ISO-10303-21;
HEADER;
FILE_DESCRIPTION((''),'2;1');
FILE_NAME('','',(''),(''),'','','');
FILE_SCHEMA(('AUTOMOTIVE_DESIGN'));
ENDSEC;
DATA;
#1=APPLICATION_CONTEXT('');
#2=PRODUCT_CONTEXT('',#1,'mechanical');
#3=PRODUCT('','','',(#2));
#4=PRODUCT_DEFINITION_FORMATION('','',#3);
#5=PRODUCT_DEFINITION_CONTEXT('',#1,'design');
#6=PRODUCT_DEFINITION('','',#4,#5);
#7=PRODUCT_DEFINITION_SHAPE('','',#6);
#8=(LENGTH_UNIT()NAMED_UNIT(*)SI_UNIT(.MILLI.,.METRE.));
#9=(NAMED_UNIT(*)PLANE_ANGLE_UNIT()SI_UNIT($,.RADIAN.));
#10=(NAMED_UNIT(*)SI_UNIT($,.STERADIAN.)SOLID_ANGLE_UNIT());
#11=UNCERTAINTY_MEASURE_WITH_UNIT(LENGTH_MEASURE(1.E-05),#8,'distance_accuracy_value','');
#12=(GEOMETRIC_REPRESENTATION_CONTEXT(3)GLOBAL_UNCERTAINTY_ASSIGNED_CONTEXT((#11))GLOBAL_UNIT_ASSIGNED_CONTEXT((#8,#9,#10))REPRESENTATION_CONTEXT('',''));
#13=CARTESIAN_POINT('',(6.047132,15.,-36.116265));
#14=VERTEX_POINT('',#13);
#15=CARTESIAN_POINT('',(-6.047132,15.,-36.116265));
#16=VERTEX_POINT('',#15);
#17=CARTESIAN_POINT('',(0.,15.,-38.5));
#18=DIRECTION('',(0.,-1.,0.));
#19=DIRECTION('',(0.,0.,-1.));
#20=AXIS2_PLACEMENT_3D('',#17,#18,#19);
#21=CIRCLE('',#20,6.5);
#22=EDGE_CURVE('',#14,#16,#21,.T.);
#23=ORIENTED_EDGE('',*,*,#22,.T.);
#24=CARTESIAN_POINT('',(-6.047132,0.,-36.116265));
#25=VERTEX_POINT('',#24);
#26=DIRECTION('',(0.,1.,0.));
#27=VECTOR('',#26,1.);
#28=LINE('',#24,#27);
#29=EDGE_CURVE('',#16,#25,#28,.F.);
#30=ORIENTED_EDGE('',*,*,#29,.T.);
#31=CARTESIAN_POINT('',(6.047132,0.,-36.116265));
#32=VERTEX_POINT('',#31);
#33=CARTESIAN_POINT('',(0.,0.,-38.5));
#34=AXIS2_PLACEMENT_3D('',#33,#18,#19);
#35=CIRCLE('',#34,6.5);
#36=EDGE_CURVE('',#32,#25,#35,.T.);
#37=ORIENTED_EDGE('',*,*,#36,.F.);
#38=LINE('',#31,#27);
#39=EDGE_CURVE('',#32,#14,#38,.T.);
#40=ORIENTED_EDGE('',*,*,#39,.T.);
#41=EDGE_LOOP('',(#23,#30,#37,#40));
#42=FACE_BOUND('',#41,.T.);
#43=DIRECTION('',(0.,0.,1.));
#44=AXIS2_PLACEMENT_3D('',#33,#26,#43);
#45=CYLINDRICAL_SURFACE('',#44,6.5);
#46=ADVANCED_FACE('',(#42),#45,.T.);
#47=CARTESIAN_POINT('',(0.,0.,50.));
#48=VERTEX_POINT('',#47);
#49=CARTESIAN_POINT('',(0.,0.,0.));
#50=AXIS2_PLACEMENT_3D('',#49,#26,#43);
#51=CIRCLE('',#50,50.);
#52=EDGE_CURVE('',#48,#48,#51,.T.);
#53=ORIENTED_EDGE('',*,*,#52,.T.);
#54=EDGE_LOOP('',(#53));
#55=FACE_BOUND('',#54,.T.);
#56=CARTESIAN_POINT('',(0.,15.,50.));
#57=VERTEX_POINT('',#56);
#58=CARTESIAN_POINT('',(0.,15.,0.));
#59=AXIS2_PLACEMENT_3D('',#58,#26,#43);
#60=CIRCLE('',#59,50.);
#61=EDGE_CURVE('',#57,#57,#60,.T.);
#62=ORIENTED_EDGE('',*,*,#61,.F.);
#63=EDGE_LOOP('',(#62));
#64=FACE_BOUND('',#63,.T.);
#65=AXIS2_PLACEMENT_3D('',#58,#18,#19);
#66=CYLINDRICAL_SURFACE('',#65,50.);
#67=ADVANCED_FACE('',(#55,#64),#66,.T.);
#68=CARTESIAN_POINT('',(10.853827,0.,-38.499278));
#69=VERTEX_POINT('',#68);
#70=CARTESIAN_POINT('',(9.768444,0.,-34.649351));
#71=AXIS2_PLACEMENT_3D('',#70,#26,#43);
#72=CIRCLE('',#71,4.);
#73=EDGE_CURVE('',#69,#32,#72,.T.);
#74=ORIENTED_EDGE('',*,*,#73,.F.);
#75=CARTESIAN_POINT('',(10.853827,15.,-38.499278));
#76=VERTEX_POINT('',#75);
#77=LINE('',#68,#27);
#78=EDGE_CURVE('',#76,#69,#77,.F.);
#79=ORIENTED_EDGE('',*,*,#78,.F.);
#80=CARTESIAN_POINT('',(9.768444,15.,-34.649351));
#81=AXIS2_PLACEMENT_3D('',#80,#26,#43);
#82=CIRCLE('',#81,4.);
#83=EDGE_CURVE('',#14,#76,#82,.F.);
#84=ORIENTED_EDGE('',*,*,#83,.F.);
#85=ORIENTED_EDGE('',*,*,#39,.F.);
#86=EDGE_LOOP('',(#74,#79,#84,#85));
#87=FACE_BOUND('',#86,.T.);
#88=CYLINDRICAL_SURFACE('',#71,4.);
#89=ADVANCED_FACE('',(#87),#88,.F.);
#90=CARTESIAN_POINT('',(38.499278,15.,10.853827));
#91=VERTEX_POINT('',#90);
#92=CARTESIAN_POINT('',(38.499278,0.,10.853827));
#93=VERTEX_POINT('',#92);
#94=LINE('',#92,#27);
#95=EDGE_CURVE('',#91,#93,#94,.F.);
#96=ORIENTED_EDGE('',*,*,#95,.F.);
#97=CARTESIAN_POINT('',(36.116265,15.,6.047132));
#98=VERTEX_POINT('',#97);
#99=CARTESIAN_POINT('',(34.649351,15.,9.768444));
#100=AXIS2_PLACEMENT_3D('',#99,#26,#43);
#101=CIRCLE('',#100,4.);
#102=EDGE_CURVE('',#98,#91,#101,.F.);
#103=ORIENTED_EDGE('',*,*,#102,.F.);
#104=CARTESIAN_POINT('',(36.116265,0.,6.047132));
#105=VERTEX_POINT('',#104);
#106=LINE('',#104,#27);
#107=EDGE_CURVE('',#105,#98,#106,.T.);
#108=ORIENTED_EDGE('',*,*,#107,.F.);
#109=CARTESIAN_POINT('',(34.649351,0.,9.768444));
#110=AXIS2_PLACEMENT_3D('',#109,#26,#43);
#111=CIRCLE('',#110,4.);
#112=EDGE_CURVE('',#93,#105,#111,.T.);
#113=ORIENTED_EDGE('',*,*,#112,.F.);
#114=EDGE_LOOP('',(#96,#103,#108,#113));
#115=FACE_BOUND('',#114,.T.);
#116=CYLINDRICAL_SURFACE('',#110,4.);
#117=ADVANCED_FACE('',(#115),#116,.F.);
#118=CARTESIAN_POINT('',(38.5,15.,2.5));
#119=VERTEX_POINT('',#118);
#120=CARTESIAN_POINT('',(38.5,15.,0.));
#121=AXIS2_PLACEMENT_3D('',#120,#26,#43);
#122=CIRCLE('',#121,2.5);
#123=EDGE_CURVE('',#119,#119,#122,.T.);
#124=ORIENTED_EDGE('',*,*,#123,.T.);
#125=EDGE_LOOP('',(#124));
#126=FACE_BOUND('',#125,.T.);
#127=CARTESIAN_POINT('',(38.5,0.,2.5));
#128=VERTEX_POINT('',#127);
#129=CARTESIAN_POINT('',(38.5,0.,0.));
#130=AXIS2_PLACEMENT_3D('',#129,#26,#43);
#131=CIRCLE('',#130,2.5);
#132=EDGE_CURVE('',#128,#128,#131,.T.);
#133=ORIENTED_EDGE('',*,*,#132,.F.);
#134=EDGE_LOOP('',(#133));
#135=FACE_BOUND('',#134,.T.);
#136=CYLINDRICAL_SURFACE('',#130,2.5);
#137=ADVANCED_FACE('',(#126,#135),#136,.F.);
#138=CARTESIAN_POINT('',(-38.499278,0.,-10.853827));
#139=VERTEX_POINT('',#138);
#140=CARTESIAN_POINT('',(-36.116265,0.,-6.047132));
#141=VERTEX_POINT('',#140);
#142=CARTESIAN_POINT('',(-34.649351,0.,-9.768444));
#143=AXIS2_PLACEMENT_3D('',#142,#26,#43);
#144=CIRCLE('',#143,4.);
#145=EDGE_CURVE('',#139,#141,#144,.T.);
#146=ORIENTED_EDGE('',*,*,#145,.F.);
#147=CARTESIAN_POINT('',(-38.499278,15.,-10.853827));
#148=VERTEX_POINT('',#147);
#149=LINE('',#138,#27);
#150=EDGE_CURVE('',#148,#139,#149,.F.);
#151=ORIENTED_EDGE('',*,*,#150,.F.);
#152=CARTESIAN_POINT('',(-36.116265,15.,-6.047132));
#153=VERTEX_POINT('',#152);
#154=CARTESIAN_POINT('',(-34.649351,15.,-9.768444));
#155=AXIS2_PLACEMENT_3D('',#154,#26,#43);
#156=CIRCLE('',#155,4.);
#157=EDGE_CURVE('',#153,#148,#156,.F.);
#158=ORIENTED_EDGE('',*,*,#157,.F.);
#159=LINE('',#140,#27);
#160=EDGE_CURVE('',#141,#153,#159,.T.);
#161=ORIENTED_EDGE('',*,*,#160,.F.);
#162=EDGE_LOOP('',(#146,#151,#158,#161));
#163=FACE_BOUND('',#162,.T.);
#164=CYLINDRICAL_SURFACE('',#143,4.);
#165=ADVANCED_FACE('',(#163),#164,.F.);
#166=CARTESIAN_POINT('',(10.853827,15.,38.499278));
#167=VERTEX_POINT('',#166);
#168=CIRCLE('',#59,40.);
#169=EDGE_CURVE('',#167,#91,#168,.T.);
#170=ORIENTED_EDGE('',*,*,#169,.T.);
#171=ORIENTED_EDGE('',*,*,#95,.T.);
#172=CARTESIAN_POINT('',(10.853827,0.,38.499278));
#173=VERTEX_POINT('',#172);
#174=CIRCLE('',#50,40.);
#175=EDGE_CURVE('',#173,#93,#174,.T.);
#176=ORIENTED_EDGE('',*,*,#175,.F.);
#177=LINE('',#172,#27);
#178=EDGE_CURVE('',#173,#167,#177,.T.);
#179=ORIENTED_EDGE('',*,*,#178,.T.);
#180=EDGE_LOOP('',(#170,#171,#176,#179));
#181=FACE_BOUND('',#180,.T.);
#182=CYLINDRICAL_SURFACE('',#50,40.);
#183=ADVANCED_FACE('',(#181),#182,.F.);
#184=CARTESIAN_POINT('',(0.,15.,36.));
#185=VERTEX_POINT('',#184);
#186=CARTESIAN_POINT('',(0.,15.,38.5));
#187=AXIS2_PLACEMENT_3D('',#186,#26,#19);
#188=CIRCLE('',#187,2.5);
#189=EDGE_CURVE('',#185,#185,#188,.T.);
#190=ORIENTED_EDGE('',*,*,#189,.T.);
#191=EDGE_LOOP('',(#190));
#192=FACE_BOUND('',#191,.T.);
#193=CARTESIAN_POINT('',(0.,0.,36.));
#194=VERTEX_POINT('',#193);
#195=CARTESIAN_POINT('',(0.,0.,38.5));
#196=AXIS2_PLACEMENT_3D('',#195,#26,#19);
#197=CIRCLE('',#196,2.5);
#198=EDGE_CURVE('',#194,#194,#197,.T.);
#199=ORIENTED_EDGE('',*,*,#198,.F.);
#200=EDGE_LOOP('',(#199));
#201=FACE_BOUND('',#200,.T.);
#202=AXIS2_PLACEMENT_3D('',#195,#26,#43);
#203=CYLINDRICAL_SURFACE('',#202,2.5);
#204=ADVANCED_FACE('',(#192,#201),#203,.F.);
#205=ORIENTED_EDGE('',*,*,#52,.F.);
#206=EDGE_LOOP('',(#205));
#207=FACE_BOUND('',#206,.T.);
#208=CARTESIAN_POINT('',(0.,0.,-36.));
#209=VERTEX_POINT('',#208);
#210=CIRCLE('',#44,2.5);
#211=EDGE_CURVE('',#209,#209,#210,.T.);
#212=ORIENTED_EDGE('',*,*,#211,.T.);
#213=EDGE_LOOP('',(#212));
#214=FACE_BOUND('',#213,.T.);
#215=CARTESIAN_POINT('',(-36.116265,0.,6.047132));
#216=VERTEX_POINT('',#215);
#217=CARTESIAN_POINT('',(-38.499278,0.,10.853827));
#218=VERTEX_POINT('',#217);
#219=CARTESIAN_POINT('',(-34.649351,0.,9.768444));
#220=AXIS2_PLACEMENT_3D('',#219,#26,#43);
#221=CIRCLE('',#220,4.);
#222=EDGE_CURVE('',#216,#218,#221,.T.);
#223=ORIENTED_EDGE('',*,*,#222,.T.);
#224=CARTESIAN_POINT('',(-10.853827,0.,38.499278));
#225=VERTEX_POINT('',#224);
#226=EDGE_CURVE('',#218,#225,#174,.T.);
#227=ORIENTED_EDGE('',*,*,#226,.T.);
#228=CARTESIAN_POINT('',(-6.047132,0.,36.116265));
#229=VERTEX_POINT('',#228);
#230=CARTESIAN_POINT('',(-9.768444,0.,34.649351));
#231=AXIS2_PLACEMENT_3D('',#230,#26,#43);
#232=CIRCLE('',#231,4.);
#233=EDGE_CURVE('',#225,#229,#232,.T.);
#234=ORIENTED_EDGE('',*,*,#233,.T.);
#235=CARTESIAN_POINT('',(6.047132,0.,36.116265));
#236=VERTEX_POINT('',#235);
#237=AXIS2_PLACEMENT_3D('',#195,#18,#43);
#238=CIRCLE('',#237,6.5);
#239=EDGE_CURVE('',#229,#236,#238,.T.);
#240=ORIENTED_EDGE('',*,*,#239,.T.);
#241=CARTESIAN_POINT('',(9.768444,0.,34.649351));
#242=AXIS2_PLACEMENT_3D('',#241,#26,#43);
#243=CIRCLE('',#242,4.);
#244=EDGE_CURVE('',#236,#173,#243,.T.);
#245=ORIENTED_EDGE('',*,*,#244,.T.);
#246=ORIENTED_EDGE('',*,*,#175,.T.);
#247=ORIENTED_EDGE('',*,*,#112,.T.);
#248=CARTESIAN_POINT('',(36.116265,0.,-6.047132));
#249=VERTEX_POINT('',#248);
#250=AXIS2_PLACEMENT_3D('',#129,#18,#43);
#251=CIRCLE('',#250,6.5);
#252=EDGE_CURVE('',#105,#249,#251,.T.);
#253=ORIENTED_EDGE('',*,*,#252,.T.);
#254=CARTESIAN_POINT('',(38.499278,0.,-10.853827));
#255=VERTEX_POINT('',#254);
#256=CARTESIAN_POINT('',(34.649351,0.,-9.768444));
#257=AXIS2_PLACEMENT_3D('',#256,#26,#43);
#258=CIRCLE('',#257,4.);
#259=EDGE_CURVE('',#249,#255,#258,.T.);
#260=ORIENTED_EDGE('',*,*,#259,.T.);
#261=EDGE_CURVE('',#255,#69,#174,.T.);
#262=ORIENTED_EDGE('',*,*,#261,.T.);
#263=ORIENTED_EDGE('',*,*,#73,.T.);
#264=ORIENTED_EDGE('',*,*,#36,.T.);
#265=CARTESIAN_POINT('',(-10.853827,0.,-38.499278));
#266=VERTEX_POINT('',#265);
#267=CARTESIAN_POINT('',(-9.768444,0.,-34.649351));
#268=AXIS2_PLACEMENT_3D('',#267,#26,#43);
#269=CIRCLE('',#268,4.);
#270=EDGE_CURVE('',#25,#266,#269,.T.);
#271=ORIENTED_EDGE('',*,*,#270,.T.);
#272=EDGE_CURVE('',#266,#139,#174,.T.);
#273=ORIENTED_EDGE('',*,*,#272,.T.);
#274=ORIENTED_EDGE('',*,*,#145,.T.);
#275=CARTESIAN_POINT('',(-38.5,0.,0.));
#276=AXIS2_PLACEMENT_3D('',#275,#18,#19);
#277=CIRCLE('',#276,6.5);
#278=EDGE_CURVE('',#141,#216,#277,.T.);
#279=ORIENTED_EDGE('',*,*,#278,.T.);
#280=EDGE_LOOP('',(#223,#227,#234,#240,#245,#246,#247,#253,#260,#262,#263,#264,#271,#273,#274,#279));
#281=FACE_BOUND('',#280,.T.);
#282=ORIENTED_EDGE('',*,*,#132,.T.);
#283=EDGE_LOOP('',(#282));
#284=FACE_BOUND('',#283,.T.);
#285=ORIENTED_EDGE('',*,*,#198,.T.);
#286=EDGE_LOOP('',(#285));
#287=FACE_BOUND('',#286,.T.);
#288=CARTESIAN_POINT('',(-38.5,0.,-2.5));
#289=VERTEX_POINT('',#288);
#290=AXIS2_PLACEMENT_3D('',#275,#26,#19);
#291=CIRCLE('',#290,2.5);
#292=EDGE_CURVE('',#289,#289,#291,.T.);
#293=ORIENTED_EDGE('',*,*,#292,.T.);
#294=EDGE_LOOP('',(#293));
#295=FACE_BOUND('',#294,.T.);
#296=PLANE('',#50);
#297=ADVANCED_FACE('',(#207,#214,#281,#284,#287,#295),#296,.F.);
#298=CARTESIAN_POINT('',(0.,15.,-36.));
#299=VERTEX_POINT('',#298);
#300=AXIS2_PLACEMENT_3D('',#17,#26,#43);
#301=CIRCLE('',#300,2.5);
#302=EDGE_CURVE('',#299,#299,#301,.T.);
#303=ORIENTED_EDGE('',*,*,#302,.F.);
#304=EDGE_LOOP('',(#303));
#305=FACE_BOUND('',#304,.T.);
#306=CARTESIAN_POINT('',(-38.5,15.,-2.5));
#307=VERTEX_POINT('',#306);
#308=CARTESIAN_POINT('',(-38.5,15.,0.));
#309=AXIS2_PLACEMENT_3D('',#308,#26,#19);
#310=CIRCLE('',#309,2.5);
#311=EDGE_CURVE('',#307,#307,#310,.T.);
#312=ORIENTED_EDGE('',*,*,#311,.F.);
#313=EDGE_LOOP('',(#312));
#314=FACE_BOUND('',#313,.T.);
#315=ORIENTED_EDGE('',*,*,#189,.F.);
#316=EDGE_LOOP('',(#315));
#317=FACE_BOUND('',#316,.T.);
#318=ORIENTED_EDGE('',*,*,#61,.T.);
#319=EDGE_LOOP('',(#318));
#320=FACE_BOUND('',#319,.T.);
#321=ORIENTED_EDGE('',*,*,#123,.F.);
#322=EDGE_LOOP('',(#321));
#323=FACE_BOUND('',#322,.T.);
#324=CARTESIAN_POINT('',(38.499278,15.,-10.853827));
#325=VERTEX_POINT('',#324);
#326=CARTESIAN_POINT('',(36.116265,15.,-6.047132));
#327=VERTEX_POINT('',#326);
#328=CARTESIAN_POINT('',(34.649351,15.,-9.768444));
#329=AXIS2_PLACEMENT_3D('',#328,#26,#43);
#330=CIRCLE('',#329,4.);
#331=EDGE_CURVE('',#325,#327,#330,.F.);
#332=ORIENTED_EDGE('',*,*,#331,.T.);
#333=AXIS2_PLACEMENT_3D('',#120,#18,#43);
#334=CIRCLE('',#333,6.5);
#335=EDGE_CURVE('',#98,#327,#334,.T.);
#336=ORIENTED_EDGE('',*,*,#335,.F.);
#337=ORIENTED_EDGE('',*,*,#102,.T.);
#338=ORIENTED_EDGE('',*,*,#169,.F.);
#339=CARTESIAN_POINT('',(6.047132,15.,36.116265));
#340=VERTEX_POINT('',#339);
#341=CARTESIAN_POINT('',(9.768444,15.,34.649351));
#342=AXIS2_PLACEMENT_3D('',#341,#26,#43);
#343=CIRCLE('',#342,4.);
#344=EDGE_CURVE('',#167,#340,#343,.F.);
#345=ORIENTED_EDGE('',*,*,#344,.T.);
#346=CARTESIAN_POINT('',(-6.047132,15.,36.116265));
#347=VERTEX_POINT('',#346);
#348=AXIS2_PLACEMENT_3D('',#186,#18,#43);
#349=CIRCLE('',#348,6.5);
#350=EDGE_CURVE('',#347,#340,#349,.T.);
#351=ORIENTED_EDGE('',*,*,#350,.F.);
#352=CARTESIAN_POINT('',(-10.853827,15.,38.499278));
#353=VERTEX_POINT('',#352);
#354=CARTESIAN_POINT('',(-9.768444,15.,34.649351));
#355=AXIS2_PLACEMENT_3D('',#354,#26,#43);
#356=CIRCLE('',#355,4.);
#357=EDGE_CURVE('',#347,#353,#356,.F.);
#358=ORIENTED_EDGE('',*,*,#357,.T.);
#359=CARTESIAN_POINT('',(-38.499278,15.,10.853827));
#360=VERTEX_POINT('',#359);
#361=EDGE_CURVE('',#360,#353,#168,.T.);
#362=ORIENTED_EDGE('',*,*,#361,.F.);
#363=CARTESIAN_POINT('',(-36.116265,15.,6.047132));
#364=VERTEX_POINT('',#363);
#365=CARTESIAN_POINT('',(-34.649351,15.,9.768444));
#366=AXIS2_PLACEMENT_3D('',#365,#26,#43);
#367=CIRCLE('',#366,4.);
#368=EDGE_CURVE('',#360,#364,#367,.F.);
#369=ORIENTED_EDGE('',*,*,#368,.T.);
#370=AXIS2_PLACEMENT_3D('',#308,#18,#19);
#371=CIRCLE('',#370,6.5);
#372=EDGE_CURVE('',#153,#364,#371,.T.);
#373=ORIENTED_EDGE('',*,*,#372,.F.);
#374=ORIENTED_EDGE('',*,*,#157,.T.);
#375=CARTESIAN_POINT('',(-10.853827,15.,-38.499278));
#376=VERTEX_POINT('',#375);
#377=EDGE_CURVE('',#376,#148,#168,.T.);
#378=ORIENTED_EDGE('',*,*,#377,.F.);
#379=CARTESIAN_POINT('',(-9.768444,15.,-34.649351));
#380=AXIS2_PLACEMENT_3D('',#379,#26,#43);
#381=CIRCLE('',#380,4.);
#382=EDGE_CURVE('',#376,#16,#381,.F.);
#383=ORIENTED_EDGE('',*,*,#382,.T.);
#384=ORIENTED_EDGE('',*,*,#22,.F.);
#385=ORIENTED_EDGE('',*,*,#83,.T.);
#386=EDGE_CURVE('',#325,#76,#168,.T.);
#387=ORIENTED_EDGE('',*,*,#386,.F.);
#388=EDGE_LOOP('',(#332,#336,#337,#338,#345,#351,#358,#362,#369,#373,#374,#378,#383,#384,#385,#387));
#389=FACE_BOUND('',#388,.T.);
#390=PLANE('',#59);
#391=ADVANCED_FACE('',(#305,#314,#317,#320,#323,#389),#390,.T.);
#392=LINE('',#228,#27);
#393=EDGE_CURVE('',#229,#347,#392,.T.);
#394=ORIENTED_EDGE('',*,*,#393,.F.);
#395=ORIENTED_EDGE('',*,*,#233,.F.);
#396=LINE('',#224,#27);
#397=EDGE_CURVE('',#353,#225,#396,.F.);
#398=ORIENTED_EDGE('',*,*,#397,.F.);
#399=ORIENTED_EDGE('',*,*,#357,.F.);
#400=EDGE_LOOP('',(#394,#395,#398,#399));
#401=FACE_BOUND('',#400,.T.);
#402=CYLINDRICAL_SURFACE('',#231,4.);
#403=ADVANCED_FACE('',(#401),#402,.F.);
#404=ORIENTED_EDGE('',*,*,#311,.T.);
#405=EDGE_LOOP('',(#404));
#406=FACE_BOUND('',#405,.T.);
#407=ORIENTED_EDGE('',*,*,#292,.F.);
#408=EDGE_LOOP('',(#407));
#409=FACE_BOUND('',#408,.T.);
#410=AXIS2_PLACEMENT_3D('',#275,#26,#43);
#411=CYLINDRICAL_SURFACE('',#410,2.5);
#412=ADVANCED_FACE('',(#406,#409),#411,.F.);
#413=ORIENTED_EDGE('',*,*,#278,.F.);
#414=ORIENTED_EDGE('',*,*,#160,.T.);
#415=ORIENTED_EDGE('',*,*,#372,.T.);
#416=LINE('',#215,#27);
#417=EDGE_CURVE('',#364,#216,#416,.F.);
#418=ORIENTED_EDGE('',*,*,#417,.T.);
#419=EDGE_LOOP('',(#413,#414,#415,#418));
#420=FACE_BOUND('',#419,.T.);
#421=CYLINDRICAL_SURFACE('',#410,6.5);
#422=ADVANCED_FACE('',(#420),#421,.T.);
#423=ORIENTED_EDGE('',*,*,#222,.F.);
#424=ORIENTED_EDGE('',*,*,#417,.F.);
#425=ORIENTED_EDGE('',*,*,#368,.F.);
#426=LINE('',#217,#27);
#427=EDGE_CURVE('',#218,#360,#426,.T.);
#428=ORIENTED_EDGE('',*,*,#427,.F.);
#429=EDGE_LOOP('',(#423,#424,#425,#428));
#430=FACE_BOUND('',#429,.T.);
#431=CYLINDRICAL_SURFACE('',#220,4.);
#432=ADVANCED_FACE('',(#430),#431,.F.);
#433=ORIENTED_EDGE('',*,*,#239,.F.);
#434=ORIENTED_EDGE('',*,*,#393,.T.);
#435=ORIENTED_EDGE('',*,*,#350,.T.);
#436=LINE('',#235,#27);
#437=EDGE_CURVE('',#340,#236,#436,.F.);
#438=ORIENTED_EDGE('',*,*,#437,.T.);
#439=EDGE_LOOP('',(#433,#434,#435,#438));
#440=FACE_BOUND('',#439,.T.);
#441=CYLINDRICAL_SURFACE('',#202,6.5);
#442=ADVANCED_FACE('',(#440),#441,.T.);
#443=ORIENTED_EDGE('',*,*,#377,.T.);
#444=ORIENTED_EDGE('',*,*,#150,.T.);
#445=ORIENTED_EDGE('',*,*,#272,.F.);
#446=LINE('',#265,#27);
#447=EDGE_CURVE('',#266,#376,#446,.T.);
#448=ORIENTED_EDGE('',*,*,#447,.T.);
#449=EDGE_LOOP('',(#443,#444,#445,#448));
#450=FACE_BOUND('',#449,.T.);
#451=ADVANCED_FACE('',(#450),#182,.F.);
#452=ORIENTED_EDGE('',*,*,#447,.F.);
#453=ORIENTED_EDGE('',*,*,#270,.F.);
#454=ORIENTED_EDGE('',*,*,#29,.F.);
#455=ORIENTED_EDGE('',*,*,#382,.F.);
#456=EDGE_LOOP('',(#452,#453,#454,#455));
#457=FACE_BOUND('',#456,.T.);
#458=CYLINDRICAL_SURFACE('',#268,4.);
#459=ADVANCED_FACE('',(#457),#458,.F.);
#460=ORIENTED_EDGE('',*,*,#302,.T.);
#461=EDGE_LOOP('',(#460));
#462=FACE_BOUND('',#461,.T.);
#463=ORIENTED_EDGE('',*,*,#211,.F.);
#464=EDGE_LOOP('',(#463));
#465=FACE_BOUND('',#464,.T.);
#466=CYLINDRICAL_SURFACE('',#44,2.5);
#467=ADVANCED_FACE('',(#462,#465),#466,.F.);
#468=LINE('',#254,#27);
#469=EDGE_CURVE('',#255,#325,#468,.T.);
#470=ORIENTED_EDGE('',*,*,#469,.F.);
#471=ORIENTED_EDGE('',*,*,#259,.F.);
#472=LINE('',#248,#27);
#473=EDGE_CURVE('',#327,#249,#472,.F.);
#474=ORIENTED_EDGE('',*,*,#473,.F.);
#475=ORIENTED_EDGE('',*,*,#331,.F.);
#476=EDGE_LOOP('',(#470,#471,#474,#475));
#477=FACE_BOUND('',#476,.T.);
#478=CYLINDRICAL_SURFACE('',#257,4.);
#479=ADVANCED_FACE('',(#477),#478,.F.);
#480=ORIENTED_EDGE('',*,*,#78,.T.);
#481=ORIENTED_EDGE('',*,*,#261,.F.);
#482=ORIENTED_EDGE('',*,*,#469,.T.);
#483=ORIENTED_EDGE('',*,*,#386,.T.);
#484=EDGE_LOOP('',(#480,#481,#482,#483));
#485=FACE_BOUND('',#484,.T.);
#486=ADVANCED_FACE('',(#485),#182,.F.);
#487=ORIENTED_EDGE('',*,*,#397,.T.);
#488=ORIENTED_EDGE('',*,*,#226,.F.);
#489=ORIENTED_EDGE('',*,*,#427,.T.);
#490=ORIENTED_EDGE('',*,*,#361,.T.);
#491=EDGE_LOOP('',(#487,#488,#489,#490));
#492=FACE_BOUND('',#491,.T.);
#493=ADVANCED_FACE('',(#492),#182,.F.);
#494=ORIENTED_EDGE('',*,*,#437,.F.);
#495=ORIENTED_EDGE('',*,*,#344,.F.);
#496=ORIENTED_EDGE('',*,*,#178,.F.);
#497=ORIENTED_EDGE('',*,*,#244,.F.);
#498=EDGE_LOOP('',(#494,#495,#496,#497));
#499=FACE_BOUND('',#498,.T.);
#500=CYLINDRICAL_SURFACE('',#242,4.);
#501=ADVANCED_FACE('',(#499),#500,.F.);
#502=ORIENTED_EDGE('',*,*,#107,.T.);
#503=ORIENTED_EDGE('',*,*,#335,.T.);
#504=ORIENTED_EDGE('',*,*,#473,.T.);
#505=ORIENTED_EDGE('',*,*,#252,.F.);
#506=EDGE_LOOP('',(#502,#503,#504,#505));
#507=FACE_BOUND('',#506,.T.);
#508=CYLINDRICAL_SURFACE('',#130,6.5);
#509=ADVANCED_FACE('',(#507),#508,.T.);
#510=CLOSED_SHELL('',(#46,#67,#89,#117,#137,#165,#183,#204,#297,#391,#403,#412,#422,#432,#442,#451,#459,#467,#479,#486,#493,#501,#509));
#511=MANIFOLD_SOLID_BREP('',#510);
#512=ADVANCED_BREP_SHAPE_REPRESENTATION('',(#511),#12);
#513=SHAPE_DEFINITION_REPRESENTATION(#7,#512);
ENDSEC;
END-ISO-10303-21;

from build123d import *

# Parameters (mm, degrees)
SKETCH_1_R          = 50
SKETCH_1_R_2        = 32
EXTRUDE_1_DEPTH     = 15
SKETCH_2_R          = 2.5
CUT_EXTRUDE_1_DEPTH = 15
SKETCH_3_R          = 30
CUT_EXTRUDE_2_DEPTH = 15
FILLET_1_R          = 4


with BuildPart() as part:
    # 草图1 → 凸台-拉伸1 (new body)
    with BuildSketch(Plane(origin=(0, 0, 0), x_dir=(1, 0, 0), z_dir=(0, 1, 0))):
        with Locations(Location((0, 0, 0), (0, 0, 270))):
            Circle(SKETCH_1_R)
        with Locations(Location((0, 0, 0), (0, 0, 270))):
            Circle(SKETCH_1_R_2, mode=Mode.SUBTRACT)
    extrude(amount=EXTRUDE_1_DEPTH)

    # 草图2 → 切除-拉伸1 (cut)
    with BuildSketch(Plane(origin=(0, 15, 0), x_dir=(1, 0, 0), z_dir=(0, 1, 0))):
        with Locations(Location((38.5, 0, 0), (0, 0, 270))):
            Circle(SKETCH_2_R)
        with Locations(Location((-38.5, 0, 0), (0, 0, 90))):
            Circle(SKETCH_2_R)
        with Locations(Location((0, 38.5, 0), (0, 0, 270))):
            Circle(SKETCH_2_R)
        with Locations(Location((0, -38.5, 0), (0, 0, 90))):
            Circle(SKETCH_2_R)
    extrude(amount=-CUT_EXTRUDE_1_DEPTH, mode=Mode.SUBTRACT)

    # 草图3 → 切除-拉伸2 (cut)
    with BuildSketch(Plane(origin=(0, 15, 0), x_dir=(1, 0, 0), z_dir=(0, 1, 0))):
        with BuildLine():
            ThreePointArc((-39.480519481, -6.425619157), (-28.284271247, -28.284271247), (-6.425619157, -39.480519481))
            ThreePointArc((-6.425619157, -39.480519481), (0, -32), (6.425619157, -39.480519481))
            ThreePointArc((6.425619157, -39.480519481), (28.284271247, -28.284271247), (39.480519481, -6.425619157))
            ThreePointArc((39.480519481, -6.425619157), (32, 0), (39.480519481, 6.425619157))
            ThreePointArc((39.480519481, 6.425619157), (28.284271247, 28.284271247), (6.425619157, 39.480519481))
            ThreePointArc((6.425619157, 39.480519481), (0, 32), (-6.425619157, 39.480519481))
            ThreePointArc((-6.425619157, 39.480519481), (-28.284271247, 28.284271247), (-39.480519481, 6.425619157))
            ThreePointArc((-39.480519481, 6.425619157), (-32, 0), (-39.480519481, -6.425619157))
        make_face()
        Circle(SKETCH_3_R, mode=Mode.SUBTRACT)
    extrude(amount=-CUT_EXTRUDE_2_DEPTH, mode=Mode.SUBTRACT)

    # 圆角1
    fillet_1_edges = [part.edges().sort_by_distance(p)[0] for p in [
        (39.480519481, 7.5, 6.425619157),
        (6.425619157, 7.5, 39.480519481),
        (-6.425619157, 7.5, 39.480519481),
        (-39.480519481, 7.5, 6.425619157),
        (-39.480519481, 7.5, -6.425619157),
        (-6.425619157, 7.5, -39.480519481),
        (6.425619157, 7.5, -39.480519481),
        (39.480519481, 7.5, -6.425619157),
    ]]
    fillet(fillet_1_edges, radius=FILLET_1_R)


solid = part.part
